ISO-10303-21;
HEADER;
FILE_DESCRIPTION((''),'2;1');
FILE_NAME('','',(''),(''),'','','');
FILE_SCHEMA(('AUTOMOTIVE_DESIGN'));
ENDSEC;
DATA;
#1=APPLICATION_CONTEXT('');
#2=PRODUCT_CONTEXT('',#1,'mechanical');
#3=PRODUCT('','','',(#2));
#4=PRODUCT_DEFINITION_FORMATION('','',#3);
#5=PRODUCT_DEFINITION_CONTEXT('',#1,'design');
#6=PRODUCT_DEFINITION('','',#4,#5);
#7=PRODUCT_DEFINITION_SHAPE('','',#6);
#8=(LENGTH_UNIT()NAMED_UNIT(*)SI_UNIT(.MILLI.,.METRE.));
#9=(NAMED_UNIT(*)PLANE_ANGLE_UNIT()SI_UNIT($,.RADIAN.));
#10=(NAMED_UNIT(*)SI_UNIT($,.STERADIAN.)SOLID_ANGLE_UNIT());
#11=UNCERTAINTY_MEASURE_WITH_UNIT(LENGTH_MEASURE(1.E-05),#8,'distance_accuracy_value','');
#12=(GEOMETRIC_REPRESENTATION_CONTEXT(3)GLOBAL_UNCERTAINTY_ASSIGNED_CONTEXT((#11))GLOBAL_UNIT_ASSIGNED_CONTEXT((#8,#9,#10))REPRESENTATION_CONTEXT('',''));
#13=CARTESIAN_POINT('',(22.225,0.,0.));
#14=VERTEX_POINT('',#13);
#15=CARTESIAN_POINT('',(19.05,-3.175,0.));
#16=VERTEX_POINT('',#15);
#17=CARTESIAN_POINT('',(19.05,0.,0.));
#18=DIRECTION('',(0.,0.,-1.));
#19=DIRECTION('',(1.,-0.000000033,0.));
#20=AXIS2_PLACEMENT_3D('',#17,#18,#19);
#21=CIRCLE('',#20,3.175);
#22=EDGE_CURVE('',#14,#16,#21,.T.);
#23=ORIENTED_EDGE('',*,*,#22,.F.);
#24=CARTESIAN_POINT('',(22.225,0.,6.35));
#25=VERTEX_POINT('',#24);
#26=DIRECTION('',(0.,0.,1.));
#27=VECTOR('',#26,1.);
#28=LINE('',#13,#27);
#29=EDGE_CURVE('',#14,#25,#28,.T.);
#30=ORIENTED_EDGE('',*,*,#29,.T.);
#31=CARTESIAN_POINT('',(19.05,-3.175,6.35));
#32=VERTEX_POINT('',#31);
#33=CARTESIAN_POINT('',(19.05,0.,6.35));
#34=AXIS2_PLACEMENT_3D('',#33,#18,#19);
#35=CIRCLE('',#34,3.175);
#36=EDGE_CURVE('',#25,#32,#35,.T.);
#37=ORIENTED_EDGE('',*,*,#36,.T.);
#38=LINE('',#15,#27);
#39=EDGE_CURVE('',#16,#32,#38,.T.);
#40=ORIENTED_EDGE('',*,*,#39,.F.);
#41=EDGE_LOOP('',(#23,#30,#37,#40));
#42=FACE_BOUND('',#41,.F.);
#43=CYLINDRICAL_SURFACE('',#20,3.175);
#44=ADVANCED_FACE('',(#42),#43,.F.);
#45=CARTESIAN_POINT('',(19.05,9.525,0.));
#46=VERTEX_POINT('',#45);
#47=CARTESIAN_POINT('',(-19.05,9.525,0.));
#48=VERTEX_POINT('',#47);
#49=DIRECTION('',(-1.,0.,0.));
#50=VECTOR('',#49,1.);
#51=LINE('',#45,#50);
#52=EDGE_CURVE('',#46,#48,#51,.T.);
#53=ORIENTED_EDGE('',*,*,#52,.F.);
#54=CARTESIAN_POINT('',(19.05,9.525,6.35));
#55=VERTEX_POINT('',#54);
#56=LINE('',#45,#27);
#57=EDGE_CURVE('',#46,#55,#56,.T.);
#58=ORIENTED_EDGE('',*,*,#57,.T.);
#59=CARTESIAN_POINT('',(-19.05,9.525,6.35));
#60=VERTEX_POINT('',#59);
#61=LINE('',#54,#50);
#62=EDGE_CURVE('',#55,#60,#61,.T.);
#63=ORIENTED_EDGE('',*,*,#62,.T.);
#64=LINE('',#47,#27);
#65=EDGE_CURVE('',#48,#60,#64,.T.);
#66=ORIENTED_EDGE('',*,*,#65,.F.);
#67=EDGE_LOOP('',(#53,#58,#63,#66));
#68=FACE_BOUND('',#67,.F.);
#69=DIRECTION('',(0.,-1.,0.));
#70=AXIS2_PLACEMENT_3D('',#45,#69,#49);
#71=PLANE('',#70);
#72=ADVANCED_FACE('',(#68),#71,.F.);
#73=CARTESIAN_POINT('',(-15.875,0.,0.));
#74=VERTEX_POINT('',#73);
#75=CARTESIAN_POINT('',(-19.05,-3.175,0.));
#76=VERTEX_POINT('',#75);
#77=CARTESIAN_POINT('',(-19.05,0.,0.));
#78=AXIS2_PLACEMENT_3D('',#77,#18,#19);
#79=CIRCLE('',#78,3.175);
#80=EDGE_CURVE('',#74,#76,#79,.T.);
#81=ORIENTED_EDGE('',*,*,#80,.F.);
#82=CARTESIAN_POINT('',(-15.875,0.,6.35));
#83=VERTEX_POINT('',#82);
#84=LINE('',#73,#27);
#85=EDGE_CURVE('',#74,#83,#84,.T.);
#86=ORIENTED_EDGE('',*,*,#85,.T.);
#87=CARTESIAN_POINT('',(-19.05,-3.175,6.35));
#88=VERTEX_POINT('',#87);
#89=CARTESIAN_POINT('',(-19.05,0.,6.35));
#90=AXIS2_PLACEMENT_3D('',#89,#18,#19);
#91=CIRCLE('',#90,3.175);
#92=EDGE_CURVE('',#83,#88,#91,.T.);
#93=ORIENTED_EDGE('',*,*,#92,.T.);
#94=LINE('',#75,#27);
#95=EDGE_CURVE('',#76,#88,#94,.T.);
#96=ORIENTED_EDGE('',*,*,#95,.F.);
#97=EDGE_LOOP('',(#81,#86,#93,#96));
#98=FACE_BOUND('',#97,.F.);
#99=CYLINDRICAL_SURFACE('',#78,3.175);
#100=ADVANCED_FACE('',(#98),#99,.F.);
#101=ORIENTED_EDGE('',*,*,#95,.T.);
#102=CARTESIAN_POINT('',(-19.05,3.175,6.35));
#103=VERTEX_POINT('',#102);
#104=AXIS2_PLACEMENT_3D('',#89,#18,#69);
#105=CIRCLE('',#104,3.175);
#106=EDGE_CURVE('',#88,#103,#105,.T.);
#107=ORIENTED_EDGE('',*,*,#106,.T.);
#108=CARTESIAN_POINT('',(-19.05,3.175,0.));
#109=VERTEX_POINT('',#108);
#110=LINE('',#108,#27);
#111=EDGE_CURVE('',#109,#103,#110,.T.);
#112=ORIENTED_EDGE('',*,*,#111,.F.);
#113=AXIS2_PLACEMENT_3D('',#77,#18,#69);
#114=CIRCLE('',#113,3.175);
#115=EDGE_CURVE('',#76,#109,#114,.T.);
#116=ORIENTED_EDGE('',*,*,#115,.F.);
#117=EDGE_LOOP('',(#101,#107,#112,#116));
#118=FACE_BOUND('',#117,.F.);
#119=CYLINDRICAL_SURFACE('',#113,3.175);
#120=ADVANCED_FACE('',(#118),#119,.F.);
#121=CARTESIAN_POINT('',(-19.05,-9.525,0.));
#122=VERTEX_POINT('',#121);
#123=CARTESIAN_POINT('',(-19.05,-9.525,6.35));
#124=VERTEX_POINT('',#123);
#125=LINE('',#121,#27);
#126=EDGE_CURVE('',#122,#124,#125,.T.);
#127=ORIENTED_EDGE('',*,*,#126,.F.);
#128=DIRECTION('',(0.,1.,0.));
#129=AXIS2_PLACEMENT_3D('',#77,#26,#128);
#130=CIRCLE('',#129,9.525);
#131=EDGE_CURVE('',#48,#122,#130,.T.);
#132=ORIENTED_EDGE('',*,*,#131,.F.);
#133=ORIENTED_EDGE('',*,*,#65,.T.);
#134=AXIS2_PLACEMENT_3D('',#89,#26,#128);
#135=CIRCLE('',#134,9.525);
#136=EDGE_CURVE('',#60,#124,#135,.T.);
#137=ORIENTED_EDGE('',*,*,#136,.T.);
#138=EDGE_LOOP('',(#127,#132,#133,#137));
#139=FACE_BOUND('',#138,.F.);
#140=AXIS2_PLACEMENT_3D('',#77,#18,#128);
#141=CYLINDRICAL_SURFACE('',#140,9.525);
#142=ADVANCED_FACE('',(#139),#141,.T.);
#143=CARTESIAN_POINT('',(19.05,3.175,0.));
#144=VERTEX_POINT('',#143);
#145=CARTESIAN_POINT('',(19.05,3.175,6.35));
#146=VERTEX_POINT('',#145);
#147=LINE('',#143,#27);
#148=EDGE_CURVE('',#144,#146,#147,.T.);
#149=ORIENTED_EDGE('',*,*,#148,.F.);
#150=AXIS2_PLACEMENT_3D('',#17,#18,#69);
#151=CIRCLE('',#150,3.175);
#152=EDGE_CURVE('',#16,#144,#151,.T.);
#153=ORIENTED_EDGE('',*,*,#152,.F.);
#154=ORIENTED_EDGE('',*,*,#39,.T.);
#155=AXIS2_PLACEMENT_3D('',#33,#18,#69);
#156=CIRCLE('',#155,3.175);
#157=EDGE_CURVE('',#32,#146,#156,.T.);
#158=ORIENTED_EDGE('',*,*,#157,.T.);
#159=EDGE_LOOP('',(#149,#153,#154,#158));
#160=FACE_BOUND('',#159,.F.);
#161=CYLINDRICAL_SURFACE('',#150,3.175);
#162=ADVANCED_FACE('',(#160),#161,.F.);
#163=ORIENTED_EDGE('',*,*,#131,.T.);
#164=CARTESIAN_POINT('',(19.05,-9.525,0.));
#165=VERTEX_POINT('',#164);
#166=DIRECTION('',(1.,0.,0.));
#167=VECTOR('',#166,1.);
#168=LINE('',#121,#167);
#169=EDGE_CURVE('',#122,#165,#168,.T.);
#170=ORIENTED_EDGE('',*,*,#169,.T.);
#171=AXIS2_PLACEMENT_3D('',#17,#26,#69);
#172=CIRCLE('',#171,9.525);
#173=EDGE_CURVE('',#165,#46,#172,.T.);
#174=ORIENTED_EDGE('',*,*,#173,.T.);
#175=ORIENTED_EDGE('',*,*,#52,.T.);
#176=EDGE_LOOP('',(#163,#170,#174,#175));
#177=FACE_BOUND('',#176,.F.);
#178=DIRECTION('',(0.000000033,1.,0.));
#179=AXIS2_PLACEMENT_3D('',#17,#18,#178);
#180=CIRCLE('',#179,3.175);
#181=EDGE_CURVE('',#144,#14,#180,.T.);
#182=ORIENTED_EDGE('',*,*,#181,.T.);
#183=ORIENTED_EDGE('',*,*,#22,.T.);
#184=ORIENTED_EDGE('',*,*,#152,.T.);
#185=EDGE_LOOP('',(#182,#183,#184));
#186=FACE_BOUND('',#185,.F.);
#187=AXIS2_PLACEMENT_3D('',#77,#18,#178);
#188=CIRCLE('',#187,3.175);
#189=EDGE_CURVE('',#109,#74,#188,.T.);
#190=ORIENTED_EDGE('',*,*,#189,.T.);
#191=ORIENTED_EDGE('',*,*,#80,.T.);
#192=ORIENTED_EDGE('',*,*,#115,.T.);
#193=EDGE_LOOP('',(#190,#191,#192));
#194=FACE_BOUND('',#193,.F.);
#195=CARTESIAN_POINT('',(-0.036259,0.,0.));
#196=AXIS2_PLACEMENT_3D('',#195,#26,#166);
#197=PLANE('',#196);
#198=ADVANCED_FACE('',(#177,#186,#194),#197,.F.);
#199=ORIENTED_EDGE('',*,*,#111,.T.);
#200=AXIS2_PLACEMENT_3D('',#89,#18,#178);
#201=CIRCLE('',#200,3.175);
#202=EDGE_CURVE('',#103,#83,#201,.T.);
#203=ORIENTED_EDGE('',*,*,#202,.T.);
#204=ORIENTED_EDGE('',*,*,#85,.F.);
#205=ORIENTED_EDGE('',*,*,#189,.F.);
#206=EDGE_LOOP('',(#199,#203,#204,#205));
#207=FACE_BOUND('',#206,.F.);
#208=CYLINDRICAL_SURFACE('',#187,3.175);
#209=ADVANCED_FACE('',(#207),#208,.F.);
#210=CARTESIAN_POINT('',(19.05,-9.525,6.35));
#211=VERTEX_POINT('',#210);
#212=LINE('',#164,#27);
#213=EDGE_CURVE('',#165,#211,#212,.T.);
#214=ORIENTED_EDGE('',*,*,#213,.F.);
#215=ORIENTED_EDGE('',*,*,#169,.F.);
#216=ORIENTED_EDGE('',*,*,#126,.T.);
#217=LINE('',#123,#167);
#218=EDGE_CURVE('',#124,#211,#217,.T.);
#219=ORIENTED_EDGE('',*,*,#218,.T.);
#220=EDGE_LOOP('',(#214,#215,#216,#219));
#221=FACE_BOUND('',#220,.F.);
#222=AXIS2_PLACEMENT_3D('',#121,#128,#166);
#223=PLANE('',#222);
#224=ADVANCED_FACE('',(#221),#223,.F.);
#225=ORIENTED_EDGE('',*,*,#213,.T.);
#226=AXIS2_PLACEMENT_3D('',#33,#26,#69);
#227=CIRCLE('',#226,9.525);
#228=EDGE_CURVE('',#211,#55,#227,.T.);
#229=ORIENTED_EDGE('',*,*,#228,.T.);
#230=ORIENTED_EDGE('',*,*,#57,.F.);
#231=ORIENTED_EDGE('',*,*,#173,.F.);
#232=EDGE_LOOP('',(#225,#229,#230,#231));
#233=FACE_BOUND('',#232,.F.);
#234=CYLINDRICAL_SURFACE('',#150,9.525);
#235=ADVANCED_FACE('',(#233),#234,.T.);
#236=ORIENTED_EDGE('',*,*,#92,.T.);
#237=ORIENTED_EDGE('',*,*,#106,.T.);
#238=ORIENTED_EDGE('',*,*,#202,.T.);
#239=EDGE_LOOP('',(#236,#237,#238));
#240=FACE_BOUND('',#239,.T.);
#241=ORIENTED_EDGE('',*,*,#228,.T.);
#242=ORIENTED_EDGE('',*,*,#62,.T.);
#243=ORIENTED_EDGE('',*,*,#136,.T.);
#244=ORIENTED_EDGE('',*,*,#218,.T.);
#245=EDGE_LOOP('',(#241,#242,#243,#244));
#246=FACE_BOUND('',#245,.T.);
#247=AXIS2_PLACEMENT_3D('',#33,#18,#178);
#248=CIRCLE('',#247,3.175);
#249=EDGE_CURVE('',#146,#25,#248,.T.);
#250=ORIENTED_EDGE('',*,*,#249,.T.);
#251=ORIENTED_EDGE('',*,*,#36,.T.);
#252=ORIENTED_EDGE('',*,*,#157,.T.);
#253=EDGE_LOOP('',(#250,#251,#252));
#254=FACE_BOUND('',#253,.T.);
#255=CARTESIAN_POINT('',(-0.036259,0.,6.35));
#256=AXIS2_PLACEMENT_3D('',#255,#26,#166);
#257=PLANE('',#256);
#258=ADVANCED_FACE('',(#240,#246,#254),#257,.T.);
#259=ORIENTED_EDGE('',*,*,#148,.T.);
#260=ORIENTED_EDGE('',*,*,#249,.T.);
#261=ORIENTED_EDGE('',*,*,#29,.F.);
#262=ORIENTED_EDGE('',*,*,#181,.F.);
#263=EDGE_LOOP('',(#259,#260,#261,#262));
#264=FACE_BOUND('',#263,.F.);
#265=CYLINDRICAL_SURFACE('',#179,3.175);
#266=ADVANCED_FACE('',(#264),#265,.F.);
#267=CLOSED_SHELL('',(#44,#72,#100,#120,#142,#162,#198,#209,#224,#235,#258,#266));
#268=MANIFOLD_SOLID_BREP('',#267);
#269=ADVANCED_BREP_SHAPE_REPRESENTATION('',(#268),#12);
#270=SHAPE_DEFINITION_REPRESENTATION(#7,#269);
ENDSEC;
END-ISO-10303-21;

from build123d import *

# Parameters (mm, degrees)
F1_DEPTH = 6.35


with BuildPart() as f1:
    # F0 (on Top) → F1 (new body)
    with BuildSketch(Plane.XY):
        with BuildLine():
            Line((19.05, 3.175), (19.05, 9.525))
            Line((19.05, 9.525), (-19.05, 9.525))
            Line((-19.05, 9.525), (-19.05, 3.175))
            ThreePointArc((-19.05, 3.175), (-16.804936, 2.245064), (-15.875, 0))
            ThreePointArc((-15.875, 0), (-16.804936, -2.245064), (-19.05, -3.175))
            Line((-19.05, -3.175), (-19.05, -9.525))
            Line((-19.05, -9.525), (19.05, -9.525))
            Line((19.05, -9.525), (19.05, -3.175))
            ThreePointArc((19.05, -3.175), (15.875, 0), (19.05, 3.175))
        make_face()
        with BuildLine():
            ThreePointArc((19.05, -9.525), (28.575, 0), (19.05, 9.525))
            Line((19.05, 9.525), (19.05, 3.175))
            ThreePointArc((19.05, 3.175), (21.295064, 2.245064), (22.225, 0))
            ThreePointArc((22.225, 0), (21.295064, -2.245064), (19.05, -3.175))
            Line((19.05, -3.175), (19.05, -9.525))
        make_face()
        with BuildLine():
            Line((-19.05, 3.175), (-19.05, 9.525))
            ThreePointArc((-19.05, 9.525), (-28.575, 0), (-19.05, -9.525))
            Line((-19.05, -9.525), (-19.05, -3.175))
            ThreePointArc((-19.05, -3.175), (-22.225, 0), (-19.05, 3.175))
        make_face()
    extrude(amount=F1_DEPTH)


solid = f1.part
